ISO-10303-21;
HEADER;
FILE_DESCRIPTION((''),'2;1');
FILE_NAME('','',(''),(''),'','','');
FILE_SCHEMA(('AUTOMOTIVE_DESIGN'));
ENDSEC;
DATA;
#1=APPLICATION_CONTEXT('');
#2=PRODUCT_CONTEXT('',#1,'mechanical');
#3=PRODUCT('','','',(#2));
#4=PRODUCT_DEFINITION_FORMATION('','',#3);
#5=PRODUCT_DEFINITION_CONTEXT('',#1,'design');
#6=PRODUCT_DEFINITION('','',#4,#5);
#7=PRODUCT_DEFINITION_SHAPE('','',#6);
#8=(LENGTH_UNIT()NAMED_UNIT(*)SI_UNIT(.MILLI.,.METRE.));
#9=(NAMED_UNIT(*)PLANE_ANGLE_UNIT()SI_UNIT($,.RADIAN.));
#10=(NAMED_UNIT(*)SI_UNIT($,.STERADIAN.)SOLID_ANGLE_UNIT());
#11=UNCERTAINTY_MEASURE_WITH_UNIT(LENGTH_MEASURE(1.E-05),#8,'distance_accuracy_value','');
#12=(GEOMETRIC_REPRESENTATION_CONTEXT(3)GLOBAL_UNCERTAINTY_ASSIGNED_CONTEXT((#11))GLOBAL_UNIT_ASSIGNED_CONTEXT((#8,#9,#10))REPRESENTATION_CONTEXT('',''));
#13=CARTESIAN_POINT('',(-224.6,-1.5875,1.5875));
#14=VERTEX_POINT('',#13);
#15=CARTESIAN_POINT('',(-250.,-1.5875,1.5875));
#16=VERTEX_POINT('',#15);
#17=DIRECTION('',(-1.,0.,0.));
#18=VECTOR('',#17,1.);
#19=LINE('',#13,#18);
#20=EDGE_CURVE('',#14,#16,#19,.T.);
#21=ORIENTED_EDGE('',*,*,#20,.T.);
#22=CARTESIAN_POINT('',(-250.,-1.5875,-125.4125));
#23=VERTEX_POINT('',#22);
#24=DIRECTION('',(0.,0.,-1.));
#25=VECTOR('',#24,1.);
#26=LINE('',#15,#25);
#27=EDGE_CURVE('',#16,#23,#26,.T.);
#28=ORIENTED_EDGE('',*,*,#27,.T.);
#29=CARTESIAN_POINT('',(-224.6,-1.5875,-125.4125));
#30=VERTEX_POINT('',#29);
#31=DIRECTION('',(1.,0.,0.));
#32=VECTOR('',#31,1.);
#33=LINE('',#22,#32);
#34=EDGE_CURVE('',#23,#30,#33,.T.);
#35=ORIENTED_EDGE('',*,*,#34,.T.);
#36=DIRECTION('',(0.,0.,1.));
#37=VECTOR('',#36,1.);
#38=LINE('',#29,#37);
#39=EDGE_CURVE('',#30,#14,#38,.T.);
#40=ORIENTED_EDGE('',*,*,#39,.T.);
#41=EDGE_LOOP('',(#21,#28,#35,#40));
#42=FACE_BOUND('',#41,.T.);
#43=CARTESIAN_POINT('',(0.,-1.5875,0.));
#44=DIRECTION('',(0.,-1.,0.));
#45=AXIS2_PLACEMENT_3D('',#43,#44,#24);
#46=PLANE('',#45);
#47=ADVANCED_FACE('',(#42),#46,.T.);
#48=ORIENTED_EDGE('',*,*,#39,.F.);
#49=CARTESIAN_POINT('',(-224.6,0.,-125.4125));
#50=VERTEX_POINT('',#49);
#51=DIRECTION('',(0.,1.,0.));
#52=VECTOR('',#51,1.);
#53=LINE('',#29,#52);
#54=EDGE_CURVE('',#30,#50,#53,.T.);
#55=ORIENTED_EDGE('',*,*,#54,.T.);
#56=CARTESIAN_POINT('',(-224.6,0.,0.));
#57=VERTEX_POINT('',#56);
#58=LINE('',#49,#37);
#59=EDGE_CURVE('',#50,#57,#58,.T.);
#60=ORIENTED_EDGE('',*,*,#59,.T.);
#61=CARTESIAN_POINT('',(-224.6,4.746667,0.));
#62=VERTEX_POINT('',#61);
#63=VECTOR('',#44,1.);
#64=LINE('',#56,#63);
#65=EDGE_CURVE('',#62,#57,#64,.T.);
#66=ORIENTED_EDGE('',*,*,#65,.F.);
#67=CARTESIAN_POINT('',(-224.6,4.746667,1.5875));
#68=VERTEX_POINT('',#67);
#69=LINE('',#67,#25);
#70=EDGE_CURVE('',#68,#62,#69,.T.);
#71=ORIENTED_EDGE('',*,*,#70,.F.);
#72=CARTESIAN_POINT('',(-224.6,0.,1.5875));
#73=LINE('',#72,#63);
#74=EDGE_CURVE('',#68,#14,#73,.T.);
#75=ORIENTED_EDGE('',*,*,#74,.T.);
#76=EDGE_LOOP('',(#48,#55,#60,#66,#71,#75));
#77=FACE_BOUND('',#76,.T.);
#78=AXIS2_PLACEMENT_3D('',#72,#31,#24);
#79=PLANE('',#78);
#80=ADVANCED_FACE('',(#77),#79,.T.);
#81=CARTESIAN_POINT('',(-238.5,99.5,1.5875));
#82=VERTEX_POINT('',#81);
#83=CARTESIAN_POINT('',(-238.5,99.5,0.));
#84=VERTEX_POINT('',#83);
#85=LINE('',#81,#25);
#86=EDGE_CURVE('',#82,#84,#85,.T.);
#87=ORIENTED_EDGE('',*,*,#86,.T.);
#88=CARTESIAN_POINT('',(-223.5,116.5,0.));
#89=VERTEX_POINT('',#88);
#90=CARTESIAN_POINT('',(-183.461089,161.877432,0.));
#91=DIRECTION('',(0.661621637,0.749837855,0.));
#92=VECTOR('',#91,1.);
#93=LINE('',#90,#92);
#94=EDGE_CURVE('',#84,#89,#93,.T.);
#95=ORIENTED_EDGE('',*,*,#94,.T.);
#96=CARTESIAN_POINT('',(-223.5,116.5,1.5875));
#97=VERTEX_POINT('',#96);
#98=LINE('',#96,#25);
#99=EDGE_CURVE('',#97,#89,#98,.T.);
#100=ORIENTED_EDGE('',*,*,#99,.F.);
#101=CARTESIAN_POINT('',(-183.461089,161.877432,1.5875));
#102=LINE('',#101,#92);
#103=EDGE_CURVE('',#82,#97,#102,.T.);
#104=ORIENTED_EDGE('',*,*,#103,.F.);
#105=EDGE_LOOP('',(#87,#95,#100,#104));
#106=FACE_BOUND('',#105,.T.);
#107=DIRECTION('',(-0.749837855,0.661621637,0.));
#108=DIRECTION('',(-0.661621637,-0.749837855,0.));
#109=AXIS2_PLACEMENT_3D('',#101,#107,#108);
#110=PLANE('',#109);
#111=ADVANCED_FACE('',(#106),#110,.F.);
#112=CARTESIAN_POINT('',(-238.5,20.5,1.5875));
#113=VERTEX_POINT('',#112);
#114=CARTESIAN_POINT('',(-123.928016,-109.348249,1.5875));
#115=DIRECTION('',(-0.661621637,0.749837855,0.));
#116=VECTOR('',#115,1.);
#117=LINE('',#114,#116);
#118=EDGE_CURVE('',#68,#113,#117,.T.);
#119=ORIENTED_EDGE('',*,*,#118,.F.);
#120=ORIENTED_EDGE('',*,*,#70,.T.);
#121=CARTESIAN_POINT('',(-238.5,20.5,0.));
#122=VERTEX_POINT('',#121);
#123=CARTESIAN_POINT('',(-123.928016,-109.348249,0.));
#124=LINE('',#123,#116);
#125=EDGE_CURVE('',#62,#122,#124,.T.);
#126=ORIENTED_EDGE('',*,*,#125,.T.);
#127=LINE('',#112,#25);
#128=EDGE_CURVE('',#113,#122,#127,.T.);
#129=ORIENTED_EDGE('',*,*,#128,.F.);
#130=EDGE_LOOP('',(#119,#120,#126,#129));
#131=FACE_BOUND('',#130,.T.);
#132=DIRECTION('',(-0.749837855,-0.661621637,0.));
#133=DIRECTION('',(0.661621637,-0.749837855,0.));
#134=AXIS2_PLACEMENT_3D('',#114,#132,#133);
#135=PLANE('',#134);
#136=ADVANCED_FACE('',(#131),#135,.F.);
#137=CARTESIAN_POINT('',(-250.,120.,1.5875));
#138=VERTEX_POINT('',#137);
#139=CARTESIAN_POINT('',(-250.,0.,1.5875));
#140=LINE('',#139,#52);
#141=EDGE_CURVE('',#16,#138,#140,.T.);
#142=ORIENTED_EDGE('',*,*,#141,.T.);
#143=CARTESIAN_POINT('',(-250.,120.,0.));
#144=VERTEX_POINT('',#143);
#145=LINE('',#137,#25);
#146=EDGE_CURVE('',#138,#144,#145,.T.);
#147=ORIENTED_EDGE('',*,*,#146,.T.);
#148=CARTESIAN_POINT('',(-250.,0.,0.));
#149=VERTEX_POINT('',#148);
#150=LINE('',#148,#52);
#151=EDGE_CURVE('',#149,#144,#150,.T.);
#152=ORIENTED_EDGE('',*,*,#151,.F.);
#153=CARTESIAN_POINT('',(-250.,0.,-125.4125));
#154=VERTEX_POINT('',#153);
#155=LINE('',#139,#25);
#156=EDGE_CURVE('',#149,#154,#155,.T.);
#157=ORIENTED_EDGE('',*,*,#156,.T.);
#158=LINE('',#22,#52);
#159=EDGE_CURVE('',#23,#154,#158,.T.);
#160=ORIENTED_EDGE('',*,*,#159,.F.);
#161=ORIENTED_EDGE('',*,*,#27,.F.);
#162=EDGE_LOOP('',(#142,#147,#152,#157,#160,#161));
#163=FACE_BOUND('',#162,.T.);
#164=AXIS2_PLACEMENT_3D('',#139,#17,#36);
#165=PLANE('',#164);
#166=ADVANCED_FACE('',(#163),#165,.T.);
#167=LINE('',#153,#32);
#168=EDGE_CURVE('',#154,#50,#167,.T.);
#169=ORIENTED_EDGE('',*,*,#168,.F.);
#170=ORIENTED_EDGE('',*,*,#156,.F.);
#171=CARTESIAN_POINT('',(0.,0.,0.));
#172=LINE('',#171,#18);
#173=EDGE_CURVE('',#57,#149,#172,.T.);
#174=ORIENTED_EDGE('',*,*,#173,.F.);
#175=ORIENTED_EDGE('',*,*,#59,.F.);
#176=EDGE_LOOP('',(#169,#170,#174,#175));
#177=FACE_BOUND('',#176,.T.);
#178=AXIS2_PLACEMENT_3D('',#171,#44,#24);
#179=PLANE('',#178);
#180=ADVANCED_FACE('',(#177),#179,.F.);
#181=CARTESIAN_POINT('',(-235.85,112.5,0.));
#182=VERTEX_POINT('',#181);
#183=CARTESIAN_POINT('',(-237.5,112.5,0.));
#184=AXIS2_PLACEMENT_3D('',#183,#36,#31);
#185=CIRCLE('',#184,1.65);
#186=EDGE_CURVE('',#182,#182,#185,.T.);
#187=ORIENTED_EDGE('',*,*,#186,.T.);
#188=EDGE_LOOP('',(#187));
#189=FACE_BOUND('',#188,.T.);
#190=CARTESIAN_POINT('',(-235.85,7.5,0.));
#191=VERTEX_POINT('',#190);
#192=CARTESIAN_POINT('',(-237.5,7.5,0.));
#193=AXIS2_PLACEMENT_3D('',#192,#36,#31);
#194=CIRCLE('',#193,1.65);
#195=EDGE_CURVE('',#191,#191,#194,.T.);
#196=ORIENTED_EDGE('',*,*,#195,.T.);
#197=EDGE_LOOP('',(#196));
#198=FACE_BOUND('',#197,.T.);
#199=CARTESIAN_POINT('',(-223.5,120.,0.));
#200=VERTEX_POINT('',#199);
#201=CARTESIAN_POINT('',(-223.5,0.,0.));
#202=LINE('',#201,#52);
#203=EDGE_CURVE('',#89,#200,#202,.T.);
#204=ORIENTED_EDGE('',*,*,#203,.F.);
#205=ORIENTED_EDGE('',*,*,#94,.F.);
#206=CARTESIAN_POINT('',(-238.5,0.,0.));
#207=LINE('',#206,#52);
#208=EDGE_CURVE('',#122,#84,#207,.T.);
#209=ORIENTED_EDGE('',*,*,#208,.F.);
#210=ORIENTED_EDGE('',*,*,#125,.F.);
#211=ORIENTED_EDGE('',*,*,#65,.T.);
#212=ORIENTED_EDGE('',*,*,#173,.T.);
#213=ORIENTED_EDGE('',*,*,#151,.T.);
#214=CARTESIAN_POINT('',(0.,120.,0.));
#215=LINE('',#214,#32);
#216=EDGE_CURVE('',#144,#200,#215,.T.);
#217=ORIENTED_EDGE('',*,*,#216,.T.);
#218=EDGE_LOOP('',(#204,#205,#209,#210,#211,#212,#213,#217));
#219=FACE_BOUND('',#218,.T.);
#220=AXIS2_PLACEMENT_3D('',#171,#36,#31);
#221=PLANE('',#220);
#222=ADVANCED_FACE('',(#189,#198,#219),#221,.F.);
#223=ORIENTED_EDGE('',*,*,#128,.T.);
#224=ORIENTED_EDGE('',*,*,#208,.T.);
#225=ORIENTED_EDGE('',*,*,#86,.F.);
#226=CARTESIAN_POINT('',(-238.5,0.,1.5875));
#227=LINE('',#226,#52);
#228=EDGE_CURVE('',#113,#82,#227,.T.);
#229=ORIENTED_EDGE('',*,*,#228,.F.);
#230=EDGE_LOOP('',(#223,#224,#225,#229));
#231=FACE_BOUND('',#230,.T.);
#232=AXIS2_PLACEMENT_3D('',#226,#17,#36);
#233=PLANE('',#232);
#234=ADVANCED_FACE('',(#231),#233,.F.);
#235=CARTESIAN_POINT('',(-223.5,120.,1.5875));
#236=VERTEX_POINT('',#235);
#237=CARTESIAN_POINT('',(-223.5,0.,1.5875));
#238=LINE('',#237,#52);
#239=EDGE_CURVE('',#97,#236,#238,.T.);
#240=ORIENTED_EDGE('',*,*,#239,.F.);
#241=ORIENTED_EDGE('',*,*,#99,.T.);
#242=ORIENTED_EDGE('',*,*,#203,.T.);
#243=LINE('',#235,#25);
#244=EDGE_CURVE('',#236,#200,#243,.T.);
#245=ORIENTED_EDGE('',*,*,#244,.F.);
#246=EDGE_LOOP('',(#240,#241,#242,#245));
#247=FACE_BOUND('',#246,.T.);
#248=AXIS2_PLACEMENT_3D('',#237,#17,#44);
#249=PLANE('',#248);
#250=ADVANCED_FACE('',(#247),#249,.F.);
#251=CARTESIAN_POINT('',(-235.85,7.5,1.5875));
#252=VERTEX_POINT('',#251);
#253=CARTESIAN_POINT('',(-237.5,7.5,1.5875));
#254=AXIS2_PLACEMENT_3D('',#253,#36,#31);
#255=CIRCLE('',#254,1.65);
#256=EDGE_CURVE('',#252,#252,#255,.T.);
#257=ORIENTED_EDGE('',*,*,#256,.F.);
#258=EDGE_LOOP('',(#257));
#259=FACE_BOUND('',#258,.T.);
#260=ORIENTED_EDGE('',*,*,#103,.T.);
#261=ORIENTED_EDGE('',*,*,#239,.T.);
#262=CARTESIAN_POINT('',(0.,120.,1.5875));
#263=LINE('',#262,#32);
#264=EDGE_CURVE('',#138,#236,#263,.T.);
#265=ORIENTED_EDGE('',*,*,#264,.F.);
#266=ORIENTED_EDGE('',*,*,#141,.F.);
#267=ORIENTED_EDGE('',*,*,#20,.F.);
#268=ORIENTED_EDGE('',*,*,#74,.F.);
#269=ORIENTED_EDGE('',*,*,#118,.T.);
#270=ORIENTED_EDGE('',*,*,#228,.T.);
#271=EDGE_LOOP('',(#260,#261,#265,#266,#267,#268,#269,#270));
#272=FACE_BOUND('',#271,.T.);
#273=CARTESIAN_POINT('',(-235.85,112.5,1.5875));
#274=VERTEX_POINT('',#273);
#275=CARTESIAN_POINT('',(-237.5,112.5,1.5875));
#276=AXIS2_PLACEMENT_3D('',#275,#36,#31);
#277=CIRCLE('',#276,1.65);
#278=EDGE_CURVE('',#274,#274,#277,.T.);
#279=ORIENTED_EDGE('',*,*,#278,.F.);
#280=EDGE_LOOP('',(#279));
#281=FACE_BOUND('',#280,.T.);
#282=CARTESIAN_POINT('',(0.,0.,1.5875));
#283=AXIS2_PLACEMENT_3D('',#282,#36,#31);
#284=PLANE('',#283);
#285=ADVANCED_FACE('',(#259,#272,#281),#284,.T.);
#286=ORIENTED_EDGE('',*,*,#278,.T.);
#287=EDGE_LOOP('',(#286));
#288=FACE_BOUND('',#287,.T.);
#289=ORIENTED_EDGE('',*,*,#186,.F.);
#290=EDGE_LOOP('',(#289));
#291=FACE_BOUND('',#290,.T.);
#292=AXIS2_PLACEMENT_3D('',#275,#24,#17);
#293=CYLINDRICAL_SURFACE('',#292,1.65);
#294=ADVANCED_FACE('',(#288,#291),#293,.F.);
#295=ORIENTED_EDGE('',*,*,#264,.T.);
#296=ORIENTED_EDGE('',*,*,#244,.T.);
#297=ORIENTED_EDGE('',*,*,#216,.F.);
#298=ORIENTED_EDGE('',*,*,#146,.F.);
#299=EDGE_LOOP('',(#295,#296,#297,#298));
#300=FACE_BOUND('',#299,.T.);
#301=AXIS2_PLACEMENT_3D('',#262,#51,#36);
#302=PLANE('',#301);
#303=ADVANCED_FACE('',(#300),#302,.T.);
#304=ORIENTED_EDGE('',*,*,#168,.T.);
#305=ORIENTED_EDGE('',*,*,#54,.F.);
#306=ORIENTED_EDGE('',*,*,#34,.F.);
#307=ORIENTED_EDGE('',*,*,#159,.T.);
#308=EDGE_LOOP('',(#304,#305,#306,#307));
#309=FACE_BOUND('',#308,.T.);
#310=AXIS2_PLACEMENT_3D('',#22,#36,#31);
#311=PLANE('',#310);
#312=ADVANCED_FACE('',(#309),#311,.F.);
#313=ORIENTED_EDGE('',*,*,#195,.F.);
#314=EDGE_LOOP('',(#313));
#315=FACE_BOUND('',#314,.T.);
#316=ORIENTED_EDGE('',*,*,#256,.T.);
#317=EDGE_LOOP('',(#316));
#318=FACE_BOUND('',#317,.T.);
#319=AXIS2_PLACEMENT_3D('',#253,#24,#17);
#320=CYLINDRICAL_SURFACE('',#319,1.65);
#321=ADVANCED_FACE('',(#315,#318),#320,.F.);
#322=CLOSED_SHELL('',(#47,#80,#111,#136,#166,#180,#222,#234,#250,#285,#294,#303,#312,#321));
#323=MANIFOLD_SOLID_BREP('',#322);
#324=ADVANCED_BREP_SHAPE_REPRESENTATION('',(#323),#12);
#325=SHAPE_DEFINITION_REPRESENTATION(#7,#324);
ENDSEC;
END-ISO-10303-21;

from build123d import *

# Parameters (mm, degrees)
SKETCH1_R           = 1.65
BOSS_EXTRUDE1_DEPTH = 1.5875
SKETCH2_W           = 25.4
SKETCH2_H           = 127
BOSS_EXTRUDE2_DEPTH = 1.5875


with BuildPart() as part:
    # Sketch1 → Boss-Extrude1 (new body)
    with BuildSketch(Plane.XY):
        Polygon((-223.5, 120), (-250, 120), (-250, 0), (-224.6, 0), (-224.6, 4.746666667), (-238.5, 20.5), (-238.5, 99.5), (-223.5, 116.5), align=None)
        with Locations((-237.5, 7.5)):
            Circle(SKETCH1_R, mode=Mode.SUBTRACT)
        with Locations((-237.5, 112.5)):
            Circle(SKETCH1_R, mode=Mode.SUBTRACT)
    extrude(amount=BOSS_EXTRUDE1_DEPTH)

    # Sketch2 → Boss-Extrude2 (add)
    with BuildSketch(Plane(origin=(0, 0, 0), x_dir=(1, 0, 0), z_dir=(0, 1, 0))):
        with Locations((-237.3, 61.9125)):
            Rectangle(SKETCH2_W, SKETCH2_H)
    extrude(amount=-BOSS_EXTRUDE2_DEPTH)


solid = part.part
